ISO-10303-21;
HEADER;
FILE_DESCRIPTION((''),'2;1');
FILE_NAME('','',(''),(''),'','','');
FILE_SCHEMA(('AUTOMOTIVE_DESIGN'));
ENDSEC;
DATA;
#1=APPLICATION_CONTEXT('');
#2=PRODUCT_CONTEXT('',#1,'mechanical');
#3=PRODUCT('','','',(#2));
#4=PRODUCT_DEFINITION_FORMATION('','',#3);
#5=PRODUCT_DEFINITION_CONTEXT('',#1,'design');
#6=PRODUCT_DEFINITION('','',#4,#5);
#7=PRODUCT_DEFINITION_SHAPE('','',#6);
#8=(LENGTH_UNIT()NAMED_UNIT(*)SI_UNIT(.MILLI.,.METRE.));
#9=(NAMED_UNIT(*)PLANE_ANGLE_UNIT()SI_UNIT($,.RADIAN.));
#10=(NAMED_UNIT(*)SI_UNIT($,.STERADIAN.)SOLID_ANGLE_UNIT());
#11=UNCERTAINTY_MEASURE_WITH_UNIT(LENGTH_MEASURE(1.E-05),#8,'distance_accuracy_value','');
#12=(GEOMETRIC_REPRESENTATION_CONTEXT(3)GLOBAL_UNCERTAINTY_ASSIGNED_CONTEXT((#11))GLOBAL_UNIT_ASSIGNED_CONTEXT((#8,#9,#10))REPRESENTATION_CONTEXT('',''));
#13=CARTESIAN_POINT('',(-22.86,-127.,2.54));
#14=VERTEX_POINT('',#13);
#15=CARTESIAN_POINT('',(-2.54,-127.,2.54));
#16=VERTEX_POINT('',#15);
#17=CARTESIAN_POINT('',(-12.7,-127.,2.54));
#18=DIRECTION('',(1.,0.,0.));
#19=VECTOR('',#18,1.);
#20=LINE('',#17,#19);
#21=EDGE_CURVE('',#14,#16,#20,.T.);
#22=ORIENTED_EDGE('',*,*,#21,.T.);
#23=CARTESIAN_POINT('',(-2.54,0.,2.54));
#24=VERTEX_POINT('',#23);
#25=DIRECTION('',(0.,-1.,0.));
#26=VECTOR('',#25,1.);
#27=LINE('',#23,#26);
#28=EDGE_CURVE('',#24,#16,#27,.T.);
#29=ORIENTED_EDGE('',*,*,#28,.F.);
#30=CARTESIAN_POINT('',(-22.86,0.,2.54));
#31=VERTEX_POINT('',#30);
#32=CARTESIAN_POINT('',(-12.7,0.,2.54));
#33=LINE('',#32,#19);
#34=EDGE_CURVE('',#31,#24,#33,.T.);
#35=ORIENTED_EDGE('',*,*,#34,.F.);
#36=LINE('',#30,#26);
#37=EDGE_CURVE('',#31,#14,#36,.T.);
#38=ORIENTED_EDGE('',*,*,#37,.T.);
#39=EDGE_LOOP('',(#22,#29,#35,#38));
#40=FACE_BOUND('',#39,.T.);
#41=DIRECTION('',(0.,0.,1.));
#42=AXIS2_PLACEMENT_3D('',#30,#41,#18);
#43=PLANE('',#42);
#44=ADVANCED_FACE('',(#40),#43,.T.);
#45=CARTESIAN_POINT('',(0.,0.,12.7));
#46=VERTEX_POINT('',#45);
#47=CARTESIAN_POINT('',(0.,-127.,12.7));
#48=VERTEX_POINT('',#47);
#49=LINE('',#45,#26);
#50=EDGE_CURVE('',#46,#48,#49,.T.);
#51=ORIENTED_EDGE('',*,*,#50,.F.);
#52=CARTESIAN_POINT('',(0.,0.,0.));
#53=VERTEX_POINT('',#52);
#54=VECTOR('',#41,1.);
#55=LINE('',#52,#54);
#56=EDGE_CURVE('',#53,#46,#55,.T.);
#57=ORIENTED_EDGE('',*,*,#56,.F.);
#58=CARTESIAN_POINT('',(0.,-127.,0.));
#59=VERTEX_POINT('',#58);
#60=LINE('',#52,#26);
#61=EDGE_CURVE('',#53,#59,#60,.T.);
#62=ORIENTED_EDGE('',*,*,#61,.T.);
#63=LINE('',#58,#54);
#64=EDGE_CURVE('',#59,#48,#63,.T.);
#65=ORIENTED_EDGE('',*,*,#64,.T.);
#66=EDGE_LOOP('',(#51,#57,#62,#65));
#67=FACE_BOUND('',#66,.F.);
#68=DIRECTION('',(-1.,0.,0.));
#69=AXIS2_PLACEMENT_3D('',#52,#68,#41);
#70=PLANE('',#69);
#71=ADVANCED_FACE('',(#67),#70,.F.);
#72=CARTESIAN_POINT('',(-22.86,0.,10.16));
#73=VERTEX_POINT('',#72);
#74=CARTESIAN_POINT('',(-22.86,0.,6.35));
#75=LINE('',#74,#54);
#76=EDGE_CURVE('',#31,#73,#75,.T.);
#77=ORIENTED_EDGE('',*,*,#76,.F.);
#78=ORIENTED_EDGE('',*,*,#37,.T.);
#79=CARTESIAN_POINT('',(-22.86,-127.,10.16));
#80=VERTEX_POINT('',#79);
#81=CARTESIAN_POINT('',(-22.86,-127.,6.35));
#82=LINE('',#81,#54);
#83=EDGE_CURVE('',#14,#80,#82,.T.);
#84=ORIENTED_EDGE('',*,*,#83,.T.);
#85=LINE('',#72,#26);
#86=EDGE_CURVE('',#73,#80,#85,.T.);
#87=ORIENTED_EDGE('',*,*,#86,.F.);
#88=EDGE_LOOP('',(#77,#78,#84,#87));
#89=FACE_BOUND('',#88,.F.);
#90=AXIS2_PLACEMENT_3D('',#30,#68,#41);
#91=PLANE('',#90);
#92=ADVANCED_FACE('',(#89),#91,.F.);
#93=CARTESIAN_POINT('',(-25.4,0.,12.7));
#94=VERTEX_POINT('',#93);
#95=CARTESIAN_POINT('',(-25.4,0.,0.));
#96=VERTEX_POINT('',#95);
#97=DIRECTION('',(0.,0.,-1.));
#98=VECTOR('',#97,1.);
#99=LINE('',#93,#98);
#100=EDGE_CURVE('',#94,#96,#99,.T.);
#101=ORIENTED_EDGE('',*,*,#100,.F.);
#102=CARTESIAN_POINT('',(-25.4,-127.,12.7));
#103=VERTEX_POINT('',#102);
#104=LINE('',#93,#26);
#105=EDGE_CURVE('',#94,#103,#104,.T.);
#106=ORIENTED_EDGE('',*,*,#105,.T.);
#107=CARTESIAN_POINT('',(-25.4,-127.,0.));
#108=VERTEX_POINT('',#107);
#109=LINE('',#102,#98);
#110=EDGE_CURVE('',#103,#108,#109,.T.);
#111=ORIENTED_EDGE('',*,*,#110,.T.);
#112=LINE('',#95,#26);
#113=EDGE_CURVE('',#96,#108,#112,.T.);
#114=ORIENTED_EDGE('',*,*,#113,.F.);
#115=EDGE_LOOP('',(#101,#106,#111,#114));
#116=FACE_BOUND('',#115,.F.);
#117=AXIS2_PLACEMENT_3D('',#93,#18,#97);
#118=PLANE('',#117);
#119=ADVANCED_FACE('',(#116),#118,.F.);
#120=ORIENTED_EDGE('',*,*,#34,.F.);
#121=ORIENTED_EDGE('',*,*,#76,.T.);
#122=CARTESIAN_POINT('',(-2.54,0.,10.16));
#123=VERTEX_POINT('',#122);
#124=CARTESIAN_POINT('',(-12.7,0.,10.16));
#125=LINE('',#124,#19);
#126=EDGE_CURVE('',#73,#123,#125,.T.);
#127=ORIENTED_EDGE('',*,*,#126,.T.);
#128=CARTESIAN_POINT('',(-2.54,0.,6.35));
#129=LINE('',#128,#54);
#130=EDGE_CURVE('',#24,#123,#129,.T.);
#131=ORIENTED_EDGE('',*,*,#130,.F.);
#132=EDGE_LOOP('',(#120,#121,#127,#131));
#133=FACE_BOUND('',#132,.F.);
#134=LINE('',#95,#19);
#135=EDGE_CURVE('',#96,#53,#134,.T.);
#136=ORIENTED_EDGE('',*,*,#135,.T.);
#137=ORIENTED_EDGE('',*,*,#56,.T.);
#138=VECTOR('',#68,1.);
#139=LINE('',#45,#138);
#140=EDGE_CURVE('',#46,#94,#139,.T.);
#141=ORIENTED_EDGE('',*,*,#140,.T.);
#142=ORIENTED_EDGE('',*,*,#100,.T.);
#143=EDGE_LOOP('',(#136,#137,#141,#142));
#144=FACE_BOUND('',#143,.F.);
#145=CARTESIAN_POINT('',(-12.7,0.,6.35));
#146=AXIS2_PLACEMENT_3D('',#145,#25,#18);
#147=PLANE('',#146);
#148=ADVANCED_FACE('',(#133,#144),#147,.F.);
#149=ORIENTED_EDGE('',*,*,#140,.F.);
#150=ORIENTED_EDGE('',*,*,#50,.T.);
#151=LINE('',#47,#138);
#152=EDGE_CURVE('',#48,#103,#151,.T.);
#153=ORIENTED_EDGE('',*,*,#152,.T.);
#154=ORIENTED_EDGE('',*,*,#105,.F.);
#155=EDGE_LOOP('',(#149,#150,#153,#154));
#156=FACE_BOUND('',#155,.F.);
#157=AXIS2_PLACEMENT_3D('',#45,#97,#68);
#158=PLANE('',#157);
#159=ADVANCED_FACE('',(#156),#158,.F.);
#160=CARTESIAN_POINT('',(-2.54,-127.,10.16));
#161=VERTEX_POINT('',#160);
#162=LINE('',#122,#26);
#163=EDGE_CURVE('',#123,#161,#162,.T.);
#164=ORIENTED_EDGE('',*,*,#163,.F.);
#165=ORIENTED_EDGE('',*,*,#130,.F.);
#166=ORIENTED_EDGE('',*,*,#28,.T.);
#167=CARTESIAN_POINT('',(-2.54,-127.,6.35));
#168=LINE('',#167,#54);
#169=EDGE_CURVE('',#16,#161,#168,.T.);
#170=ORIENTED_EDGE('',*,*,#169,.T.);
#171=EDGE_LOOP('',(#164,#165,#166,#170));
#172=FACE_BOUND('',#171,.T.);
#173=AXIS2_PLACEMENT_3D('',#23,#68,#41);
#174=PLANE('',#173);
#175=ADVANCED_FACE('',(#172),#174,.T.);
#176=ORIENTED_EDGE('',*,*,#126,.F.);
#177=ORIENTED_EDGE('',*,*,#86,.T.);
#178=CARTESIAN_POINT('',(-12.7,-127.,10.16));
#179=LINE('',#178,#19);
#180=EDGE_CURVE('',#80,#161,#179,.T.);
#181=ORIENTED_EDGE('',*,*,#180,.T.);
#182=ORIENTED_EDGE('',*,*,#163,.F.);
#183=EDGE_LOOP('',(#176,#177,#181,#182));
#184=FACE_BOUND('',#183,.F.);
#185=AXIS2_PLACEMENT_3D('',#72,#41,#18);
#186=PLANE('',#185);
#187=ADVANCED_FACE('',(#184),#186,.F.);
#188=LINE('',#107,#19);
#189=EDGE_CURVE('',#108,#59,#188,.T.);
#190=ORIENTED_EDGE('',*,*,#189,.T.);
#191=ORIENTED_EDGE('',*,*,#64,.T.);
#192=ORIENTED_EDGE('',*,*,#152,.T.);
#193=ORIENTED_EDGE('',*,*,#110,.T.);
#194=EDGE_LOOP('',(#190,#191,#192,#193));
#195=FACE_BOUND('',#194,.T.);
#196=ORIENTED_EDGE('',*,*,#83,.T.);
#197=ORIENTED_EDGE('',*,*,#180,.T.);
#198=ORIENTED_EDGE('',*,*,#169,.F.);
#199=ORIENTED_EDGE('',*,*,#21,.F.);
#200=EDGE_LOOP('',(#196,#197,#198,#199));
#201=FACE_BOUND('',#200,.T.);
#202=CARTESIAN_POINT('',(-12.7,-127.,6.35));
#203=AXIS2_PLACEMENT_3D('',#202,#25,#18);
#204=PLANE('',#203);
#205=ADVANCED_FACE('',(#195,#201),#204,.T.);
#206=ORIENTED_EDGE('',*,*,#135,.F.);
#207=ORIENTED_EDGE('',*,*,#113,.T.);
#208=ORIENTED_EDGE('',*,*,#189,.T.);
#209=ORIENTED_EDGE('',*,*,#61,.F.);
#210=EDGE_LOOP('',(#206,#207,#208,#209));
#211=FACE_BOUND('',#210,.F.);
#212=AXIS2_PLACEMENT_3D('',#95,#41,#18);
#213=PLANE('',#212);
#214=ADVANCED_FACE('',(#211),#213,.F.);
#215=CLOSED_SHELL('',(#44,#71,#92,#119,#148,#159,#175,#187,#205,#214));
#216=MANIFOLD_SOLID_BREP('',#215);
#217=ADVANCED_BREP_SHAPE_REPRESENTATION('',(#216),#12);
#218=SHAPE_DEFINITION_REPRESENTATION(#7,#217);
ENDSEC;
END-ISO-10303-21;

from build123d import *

# Parameters (mm, degrees)
F0_W     = 20.32
F0_H     = 7.62
F1_DEPTH = 127


with BuildPart() as f1:
    # F0 (on Front) → F1 (new body)
    with BuildSketch(Plane.XZ):
        Polygon((-25.4, 0), (0, 0), (0, 12.7), (-22.86, 12.7), (-25.4, 12.7), align=None)
        with Locations((-12.7, 6.35)):
            Rectangle(F0_W, F0_H, mode=Mode.SUBTRACT)
    extrude(amount=F1_DEPTH)


solid = f1.part
